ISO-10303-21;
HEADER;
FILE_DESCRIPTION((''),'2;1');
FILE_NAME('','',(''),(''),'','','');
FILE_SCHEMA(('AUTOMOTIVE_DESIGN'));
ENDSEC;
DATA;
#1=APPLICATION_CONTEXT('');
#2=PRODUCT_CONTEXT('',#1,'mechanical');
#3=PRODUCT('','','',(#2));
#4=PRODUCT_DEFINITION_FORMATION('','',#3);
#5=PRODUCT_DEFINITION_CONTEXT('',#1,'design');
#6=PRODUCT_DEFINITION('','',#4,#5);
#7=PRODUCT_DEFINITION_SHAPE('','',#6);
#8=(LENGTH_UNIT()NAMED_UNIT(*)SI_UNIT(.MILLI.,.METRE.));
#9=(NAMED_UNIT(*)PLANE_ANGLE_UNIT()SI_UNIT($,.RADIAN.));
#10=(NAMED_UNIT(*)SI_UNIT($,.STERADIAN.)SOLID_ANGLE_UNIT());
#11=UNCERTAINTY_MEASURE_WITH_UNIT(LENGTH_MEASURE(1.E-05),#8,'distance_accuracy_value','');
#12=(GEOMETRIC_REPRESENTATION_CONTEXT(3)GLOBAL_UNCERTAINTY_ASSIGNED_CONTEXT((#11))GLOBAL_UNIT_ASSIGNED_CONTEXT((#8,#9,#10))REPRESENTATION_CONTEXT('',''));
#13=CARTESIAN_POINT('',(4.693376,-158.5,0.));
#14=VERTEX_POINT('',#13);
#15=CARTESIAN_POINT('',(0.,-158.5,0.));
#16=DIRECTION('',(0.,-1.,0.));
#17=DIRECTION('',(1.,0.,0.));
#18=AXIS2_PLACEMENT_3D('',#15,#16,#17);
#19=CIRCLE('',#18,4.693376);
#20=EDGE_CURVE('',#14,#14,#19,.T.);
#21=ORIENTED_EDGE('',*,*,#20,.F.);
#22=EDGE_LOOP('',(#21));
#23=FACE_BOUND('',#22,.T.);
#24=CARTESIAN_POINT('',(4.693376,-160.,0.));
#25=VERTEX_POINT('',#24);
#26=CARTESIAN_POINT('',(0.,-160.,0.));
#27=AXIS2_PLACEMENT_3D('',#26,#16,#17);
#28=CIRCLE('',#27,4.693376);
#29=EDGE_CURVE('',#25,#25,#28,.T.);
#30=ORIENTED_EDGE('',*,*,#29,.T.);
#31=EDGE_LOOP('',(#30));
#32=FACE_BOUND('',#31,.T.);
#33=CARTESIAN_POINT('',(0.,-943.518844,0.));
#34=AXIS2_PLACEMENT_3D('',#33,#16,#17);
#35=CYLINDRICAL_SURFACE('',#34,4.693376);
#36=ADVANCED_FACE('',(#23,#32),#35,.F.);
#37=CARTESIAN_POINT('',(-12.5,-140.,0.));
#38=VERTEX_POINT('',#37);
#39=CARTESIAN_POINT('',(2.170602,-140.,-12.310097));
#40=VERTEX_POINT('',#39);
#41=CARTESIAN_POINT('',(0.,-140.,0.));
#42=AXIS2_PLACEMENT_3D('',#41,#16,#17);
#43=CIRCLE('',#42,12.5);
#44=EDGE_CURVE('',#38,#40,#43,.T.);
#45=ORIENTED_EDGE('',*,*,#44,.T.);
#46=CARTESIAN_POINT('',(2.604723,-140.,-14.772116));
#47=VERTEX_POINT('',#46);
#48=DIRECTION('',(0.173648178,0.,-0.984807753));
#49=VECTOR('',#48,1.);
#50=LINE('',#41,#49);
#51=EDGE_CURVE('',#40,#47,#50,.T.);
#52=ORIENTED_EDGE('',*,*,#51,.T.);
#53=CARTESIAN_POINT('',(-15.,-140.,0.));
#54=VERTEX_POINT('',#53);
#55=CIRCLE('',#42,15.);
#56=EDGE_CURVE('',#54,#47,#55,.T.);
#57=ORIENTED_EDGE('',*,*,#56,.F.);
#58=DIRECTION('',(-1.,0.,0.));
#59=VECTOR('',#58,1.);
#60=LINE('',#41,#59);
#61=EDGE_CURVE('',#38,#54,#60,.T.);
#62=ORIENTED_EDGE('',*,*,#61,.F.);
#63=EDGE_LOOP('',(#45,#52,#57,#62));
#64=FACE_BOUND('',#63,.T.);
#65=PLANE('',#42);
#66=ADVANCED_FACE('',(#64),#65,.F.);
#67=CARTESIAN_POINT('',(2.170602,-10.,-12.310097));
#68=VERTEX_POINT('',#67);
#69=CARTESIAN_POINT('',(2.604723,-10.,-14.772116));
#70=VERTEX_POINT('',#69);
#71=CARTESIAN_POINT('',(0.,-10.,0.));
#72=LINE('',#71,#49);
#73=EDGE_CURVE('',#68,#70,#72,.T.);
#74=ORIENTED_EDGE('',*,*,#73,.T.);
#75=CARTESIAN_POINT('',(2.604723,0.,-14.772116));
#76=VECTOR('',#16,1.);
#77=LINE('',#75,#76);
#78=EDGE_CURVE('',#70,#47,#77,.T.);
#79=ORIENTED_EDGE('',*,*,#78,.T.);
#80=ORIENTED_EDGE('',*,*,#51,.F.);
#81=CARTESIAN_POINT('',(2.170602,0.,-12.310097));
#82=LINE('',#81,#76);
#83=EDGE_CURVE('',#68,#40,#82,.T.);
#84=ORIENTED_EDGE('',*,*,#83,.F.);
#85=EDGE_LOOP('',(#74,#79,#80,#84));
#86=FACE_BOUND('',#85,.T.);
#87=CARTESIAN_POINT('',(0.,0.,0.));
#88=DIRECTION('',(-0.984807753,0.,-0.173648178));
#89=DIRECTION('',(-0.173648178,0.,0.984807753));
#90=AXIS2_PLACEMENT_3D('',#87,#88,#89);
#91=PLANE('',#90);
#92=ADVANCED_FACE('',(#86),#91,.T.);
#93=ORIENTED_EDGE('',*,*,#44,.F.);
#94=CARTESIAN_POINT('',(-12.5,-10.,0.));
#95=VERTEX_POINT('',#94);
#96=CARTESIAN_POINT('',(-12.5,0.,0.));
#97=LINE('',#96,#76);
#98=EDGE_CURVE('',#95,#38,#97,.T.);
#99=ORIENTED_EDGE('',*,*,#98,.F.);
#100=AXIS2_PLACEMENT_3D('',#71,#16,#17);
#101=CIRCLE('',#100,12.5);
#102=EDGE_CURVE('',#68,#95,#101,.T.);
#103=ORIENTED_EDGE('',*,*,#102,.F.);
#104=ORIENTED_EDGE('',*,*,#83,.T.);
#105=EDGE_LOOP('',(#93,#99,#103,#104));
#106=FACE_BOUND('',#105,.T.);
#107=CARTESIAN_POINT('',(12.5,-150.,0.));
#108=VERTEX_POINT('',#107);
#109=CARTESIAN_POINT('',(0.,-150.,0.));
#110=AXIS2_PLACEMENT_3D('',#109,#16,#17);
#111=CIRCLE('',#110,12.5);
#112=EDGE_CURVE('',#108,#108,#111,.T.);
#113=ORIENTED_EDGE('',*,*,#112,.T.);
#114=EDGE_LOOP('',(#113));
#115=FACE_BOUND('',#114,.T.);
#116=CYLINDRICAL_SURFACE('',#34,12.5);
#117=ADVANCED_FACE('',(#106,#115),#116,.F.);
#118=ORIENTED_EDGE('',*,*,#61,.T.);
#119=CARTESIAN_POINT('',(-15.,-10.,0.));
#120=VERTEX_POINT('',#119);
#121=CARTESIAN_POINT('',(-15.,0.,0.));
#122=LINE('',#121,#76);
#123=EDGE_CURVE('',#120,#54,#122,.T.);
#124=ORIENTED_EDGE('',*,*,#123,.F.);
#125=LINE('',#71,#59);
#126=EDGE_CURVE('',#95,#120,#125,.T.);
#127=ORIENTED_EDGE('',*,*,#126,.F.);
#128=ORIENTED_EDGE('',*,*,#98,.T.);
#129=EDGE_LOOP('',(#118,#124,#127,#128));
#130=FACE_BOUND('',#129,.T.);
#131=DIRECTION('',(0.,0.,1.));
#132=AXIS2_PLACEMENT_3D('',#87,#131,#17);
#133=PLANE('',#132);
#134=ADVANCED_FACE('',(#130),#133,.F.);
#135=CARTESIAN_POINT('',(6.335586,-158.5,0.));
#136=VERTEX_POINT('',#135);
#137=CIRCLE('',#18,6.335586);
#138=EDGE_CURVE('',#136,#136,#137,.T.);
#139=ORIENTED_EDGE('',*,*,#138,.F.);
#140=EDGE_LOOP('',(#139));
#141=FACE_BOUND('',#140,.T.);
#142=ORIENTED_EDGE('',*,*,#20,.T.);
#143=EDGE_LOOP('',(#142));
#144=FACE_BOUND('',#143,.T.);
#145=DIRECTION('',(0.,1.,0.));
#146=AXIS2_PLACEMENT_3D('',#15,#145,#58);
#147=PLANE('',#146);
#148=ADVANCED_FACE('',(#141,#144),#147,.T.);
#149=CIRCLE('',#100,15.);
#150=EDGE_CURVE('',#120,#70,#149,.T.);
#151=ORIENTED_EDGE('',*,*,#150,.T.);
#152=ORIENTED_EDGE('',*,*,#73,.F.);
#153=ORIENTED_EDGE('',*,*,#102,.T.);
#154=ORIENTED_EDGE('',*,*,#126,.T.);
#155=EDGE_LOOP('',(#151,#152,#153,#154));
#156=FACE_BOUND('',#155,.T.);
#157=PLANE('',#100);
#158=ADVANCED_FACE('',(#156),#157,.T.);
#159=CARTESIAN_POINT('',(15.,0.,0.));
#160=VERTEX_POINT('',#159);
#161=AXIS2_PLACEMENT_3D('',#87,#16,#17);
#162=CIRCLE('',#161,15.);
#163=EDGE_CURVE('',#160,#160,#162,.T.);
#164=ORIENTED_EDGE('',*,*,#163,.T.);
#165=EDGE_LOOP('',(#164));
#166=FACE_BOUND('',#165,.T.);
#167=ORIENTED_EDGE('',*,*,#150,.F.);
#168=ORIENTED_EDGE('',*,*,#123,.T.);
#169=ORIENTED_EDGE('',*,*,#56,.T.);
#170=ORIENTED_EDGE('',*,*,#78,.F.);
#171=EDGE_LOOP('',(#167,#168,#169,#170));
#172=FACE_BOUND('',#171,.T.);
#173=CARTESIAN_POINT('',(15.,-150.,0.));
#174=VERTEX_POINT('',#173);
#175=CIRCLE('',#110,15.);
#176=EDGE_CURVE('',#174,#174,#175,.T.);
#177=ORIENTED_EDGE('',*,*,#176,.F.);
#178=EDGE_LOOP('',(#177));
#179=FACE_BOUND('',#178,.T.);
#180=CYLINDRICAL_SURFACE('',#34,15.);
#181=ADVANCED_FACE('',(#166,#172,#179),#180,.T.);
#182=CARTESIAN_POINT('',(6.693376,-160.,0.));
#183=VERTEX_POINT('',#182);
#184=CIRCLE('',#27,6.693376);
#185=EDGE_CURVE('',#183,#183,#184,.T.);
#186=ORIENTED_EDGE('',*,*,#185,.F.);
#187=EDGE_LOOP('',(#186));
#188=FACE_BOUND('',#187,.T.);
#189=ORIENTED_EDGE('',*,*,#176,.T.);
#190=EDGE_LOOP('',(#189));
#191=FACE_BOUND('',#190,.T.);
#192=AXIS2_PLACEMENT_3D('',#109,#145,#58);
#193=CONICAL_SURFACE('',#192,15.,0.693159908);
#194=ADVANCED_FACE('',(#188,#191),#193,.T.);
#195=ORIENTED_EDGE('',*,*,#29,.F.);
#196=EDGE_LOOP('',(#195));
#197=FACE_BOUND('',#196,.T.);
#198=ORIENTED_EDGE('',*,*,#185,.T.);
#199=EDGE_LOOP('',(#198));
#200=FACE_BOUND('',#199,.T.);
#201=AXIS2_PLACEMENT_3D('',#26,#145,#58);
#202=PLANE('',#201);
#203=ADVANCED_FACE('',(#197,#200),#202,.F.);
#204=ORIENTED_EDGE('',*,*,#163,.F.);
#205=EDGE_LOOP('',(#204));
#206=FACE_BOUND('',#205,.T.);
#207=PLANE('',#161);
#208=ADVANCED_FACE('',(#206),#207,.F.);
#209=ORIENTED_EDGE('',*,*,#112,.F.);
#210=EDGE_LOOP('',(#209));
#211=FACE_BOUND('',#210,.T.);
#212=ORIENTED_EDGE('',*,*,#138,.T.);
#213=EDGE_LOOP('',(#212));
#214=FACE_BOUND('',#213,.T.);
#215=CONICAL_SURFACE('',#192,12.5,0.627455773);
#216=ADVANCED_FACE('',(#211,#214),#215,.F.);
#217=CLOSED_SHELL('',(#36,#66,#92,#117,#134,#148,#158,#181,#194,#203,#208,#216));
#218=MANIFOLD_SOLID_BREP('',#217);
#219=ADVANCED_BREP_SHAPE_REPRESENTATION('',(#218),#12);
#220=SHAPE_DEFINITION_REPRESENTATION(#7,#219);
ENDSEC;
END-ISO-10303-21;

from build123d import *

# Parameters (mm, degrees)
SKETCH1_W      = 15
SKETCH1_H      = 10
SKETCH1_5_W    = 2.5
SKETCH1_5_H    = 130
REVOLVE2_ANGLE = 260


with BuildPart() as part:
    # Sketch1 → Revolve1 (revolve)
    with BuildSketch(Plane.XY):
        with Locations((-7.5, -5)):
            Rectangle(SKETCH1_W, SKETCH1_H)
        Polygon((-12.5, -150), (-12.5, -140), (-15, -140), (-15, -150), (-6.693376137, -160), (-4.693376137, -160), (-4.693376137, -158.5), (-6.335585997, -158.5), align=None)
    revolve(axis=Axis((0, -943.518843805, 0), (0, 1, 0)))

    # Sketch1<5> → Revolve2 (revolve)
    with BuildSketch(Plane.XY):
        with Locations((-13.75, -75)):
            Rectangle(SKETCH1_5_W, SKETCH1_5_H)
    revolve(axis=Axis((0, -943.518843805, 0), (0, 1, 0)), revolution_arc=REVOLVE2_ANGLE)


solid = part.part
